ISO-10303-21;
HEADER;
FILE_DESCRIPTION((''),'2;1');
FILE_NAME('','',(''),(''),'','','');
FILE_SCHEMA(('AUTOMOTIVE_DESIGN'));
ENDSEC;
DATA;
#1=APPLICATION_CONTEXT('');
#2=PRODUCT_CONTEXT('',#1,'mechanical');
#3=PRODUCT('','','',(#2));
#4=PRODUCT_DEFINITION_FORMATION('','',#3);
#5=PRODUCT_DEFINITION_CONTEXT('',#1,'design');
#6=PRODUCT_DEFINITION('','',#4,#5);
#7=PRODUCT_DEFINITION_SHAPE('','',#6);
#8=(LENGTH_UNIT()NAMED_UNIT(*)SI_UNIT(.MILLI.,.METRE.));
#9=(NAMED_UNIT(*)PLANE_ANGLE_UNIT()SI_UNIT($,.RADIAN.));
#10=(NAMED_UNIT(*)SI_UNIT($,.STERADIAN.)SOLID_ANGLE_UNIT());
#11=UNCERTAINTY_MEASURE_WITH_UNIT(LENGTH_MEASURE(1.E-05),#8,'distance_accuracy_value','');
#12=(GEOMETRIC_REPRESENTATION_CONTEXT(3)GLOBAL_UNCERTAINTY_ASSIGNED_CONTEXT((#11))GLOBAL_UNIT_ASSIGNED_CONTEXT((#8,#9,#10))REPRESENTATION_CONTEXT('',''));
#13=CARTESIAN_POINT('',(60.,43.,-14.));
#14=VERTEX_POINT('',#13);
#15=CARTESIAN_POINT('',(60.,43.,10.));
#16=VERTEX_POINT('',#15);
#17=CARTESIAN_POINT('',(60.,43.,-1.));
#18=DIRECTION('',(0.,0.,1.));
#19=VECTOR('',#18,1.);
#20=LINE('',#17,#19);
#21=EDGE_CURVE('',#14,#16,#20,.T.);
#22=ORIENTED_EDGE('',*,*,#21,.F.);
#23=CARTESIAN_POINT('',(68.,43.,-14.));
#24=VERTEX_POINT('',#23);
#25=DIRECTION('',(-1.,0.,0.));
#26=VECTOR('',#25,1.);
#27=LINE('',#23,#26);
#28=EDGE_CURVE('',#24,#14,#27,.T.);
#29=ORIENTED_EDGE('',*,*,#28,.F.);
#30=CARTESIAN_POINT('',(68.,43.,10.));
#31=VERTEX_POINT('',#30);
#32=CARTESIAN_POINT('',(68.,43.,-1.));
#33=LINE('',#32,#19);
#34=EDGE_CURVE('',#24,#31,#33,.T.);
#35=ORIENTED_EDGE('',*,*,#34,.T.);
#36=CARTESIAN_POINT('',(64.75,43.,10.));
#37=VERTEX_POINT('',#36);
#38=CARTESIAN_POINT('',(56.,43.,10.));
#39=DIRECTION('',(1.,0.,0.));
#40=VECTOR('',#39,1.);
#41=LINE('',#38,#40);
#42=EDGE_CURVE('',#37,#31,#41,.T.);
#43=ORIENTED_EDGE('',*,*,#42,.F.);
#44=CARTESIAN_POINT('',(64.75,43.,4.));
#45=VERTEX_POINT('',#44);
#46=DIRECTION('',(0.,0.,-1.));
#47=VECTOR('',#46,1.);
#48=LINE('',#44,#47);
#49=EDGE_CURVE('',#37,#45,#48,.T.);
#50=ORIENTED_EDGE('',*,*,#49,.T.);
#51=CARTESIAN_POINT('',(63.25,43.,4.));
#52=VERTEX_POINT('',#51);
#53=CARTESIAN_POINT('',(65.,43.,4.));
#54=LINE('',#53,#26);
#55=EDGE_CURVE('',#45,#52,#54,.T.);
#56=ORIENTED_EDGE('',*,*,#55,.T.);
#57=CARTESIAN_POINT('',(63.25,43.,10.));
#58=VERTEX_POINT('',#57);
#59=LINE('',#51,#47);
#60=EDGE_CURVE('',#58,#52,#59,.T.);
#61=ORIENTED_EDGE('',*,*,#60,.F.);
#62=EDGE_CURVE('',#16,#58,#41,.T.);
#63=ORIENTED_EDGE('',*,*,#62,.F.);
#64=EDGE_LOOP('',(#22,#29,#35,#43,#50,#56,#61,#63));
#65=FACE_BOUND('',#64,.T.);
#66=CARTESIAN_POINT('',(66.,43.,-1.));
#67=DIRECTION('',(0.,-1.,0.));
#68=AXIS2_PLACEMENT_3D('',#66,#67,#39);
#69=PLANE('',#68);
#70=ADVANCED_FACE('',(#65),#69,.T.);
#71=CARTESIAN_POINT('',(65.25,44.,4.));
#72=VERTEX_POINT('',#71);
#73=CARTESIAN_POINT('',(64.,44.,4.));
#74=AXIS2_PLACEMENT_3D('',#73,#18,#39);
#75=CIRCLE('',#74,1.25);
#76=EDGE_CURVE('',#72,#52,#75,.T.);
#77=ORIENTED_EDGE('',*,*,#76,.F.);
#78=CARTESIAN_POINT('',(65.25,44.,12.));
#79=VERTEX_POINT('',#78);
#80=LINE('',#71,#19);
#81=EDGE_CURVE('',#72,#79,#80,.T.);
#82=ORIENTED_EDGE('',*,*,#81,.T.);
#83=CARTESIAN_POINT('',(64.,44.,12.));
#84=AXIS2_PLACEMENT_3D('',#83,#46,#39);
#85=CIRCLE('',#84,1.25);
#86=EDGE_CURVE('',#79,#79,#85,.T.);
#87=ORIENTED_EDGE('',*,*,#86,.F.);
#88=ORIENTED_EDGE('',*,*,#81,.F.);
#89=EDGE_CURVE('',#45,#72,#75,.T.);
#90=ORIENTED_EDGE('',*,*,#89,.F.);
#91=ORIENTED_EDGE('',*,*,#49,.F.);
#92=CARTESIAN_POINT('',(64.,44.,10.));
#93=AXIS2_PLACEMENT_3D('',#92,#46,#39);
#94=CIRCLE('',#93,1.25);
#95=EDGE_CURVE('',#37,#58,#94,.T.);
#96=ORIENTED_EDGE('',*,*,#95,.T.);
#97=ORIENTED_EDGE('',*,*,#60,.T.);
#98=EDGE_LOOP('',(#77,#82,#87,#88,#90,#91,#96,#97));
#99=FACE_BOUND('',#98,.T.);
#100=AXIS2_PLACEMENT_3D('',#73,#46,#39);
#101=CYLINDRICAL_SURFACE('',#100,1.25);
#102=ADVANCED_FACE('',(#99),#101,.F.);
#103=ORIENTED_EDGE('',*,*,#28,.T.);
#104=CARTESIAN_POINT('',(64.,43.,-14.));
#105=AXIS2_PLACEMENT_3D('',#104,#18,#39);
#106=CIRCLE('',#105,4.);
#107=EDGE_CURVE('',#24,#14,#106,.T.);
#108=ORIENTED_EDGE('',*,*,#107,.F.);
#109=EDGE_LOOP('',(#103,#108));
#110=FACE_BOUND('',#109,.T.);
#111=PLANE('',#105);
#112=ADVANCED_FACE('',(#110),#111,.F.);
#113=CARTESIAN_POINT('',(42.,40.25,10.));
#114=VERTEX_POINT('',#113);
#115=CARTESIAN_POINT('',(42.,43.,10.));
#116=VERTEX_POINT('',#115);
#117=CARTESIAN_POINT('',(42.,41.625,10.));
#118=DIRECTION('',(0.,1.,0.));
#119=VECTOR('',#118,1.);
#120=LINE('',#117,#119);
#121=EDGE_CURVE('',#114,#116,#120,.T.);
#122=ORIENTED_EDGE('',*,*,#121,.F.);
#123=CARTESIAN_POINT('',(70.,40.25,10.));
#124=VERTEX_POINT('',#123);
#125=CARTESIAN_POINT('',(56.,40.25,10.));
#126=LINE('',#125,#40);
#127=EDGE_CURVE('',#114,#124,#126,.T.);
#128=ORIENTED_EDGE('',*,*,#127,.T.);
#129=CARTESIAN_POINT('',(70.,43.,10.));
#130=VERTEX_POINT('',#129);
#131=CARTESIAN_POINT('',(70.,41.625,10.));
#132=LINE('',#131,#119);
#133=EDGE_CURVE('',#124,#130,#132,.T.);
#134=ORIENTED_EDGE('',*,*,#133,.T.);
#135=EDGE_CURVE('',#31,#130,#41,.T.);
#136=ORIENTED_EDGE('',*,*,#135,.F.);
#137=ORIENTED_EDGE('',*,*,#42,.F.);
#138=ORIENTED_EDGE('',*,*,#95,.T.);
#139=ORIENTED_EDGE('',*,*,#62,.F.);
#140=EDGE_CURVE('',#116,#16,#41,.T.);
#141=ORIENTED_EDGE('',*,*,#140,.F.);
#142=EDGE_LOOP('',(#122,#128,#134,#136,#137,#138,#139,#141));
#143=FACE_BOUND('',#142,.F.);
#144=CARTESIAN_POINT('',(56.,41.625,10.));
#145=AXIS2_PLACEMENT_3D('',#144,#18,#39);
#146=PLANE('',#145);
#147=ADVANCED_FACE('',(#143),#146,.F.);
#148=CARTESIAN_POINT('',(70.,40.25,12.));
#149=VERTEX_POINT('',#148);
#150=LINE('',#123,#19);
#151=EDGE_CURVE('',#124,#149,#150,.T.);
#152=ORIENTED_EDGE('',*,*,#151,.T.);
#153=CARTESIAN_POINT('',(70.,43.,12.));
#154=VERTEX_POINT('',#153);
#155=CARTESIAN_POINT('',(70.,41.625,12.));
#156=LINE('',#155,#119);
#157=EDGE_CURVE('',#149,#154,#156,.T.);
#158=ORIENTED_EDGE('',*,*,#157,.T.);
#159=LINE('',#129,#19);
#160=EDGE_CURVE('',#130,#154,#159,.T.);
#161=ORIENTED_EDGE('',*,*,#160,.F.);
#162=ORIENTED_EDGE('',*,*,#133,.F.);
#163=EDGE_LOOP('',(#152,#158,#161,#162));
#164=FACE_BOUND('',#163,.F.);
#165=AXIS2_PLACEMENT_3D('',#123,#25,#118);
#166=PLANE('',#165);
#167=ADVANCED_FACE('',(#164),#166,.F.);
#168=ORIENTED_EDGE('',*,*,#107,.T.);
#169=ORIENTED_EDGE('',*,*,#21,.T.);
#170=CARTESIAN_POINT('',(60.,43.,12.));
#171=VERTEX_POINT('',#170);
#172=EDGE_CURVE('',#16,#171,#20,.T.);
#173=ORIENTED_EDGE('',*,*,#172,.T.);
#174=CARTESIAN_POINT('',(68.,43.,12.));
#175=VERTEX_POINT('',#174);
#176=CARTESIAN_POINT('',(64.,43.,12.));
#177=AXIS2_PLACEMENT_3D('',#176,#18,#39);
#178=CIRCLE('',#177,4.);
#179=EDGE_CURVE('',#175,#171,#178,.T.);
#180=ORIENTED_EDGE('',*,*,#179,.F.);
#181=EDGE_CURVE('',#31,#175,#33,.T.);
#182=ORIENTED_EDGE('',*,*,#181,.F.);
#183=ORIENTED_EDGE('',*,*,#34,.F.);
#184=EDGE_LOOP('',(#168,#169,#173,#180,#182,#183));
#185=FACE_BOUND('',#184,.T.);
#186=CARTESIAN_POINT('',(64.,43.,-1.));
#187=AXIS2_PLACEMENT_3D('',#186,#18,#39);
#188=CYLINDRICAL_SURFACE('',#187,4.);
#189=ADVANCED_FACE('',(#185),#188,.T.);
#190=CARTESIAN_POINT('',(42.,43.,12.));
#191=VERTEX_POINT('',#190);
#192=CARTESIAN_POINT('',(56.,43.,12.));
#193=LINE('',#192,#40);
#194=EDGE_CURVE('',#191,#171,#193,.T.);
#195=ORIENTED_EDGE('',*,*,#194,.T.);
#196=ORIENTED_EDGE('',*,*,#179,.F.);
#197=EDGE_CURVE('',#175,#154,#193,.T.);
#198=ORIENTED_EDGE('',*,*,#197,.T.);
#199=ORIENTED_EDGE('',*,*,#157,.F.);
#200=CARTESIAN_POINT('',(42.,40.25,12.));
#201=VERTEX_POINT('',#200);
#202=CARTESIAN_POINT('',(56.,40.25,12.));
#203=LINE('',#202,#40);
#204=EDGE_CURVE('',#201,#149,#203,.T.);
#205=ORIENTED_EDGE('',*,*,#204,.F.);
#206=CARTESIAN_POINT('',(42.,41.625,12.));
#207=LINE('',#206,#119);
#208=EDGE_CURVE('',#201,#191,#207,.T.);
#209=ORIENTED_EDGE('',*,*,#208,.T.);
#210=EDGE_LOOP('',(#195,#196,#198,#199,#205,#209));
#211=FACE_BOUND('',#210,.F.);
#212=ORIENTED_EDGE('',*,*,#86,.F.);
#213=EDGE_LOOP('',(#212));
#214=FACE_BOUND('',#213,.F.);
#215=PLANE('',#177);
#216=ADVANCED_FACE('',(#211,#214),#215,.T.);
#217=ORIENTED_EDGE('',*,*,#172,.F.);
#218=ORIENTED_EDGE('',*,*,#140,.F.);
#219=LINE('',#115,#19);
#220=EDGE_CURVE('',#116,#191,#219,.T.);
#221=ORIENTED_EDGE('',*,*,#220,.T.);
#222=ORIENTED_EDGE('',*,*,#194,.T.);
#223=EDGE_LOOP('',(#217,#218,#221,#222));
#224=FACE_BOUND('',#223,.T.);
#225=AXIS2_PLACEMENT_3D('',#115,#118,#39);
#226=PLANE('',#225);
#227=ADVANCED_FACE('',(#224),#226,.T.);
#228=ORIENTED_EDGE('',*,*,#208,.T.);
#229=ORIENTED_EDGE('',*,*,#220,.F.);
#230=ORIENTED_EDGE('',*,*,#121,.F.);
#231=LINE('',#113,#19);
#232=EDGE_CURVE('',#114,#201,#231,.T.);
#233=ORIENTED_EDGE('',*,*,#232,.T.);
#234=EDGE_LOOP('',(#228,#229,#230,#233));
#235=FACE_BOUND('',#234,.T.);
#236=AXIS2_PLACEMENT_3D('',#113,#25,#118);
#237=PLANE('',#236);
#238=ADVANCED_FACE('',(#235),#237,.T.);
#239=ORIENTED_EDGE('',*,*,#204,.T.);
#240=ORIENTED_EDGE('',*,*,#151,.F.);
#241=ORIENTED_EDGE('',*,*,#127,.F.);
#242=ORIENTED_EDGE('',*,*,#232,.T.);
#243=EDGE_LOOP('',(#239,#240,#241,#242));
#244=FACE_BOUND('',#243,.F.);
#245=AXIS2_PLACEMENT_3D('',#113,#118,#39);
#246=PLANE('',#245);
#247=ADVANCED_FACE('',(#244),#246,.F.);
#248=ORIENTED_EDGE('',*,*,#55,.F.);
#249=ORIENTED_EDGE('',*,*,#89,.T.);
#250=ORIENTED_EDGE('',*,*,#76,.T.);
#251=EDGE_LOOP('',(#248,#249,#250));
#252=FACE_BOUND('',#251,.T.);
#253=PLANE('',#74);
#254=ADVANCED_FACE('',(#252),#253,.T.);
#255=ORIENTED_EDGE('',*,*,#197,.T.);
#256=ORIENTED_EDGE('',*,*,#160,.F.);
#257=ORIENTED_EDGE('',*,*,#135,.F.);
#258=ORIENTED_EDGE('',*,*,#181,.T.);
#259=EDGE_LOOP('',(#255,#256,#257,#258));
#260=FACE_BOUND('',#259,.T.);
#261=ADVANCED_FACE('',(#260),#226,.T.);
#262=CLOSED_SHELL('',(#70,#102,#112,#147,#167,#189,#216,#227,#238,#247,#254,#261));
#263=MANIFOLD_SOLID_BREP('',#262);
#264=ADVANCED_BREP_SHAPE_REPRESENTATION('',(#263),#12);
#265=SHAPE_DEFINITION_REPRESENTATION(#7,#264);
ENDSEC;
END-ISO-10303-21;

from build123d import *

# Parameters (mm, degrees)
CYLINDER026_R     = 1.25
CYLINDER026_DEPTH = 10
CYLINDER027_W     = 4
CYLINDER027_H     = 26
CYLINDER027_ANGLE = 180
BOX029_W          = 28
BOX029_H          = 2.75
BOX029_DEPTH      = 2


with BuildPart() as b_no001:
    # Cylinder026 → Cylinder026 (new body)
    with BuildSketch(Plane(origin=(55, 29, 4), x_dir=(1, 0, 0), z_dir=(0, 0, 1))):
        Circle(CYLINDER026_R)
    extrude(amount=CYLINDER026_DEPTH)


with BuildPart() as s015:
    # Cylinder027 → Cylinder027 (revolve)
    with BuildSketch(Plane(origin=(55, 28, -14), x_dir=(1, 0, 0), z_dir=(0, -1, 0))):
        with Locations((2, 13)):
            Rectangle(CYLINDER027_W, CYLINDER027_H)
    revolve(axis=Axis((55, 28, -14), (0, 0, 1)), revolution_arc=CYLINDER027_ANGLE)


with BuildPart() as cut010_nno:
    # Box029 → Box029 (new body)
    with BuildSketch(Plane(origin=(33, 25.25, 10), x_dir=(1, 0, 0), z_dir=(0, 0, 1))):
        with Locations((14, 1.375)):
            Rectangle(BOX029_W, BOX029_H)
    extrude(amount=BOX029_DEPTH)

    # Fusion: union S015
    add(s015.part)

    # Cut010: cut B_NO001
    add(b_no001.part, mode=Mode.SUBTRACT)


with BuildPart() as cut010_nno_1:
    # Cut010 placement: moved
    add(cut010_nno.part.moved(Location((9, 15, 0))))


solid = cut010_nno_1.part
